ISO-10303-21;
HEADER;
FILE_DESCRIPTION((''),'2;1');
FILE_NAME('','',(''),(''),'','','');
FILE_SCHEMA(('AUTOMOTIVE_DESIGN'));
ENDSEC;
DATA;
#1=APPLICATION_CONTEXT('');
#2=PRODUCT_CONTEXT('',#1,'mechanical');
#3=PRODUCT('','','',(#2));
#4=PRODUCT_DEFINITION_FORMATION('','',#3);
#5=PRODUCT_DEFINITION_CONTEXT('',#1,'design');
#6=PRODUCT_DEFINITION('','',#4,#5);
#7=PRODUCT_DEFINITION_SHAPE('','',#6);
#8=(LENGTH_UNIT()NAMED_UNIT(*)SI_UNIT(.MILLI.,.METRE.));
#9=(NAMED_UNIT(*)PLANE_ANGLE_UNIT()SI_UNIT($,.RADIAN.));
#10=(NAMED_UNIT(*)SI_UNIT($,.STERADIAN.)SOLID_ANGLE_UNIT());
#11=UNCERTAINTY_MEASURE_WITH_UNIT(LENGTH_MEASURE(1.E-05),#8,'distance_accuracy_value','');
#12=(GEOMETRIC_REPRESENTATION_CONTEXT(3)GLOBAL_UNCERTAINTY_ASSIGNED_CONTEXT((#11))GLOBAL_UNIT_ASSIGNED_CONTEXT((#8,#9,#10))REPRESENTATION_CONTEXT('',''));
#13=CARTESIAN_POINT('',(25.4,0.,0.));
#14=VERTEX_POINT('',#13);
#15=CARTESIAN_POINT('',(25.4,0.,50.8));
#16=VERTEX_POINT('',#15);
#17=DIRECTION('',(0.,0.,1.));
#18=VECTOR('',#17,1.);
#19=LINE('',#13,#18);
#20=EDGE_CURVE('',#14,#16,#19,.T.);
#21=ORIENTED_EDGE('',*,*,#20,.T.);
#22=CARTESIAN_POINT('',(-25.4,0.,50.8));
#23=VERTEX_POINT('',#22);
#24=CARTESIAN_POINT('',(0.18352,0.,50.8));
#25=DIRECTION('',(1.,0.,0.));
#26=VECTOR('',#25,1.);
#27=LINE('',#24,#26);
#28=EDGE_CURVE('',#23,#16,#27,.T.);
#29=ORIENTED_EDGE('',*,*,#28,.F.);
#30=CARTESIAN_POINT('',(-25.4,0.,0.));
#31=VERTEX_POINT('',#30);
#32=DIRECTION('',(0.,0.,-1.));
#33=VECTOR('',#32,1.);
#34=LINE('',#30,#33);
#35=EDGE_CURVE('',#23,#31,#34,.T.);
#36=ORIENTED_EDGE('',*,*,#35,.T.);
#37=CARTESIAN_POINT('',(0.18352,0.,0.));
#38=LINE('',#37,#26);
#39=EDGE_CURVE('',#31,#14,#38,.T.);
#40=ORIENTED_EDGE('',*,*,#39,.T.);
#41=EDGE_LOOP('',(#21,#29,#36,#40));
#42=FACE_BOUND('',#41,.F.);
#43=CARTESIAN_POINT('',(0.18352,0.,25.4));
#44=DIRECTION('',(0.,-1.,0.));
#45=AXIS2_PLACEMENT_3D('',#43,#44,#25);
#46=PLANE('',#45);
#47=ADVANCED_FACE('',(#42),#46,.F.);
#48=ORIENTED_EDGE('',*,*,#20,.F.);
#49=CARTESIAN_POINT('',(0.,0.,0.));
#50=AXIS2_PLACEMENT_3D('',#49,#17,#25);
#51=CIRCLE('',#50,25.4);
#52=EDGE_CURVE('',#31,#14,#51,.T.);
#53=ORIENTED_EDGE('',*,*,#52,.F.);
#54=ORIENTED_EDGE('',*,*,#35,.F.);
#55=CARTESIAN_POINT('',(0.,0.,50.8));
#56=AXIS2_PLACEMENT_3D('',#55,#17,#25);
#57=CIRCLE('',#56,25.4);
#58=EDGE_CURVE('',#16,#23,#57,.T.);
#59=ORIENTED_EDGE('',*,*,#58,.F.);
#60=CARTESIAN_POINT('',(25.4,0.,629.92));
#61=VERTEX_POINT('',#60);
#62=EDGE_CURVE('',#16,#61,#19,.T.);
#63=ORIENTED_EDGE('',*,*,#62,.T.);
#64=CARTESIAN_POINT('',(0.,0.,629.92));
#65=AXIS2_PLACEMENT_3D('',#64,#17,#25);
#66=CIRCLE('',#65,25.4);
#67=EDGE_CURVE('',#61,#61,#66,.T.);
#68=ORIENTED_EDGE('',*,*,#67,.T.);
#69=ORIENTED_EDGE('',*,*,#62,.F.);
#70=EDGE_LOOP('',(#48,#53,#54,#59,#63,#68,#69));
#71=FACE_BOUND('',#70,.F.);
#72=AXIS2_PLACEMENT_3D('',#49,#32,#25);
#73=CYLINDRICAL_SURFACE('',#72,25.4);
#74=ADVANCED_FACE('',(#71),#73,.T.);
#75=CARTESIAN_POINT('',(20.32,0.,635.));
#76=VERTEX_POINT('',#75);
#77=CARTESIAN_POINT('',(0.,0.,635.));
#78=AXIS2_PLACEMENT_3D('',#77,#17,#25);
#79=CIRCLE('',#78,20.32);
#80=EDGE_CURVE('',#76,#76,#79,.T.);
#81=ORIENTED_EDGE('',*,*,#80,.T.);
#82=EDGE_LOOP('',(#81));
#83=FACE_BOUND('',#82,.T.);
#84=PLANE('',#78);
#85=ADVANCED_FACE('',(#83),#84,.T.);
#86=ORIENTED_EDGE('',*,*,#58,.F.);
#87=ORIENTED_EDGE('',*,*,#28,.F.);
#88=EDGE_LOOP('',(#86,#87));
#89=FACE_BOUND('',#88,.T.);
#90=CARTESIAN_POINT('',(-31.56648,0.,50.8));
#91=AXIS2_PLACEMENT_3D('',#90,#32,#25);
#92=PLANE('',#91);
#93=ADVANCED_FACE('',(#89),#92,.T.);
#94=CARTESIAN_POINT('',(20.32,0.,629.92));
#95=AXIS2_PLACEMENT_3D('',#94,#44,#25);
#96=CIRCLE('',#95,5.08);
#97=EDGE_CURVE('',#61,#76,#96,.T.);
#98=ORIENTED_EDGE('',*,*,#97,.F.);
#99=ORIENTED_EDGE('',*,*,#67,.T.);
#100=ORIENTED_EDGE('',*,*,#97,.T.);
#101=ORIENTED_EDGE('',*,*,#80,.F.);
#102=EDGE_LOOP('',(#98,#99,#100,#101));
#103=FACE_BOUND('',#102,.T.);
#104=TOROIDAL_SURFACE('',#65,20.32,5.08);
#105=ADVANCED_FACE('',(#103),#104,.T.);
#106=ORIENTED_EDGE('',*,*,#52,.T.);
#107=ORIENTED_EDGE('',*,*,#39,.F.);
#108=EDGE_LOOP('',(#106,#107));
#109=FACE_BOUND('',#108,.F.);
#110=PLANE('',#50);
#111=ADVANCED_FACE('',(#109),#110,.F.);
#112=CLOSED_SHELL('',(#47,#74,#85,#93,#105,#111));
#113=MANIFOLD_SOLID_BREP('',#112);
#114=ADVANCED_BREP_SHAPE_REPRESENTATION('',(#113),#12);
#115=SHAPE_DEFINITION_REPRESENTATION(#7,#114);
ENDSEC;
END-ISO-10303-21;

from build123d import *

# Parameters (mm, degrees)
F0_R     = 25.4
F1_DEPTH = 635
F2_W     = 63.5
F2_H     = 50.8
F3_DEPTH = 25.4
F4_R     = 5.08


with BuildPart() as f1:
    # F0 (on Top) → F1 (new body)
    with BuildSketch(Plane.XY):
        Circle(F0_R)
    extrude(amount=F1_DEPTH)

    # F2 (on Front) → F3 (cut)
    with BuildSketch(Plane.XZ):
        with Locations((0.1835199598, 25.4)):
            Rectangle(F2_W, F2_H)
    extrude(amount=-F3_DEPTH, mode=Mode.SUBTRACT)

    # F4
    f4_edges = [f1.edges().sort_by_distance(p)[0] for p in [
        (-25.4, 0, 635),
    ]]
    fillet(f4_edges, radius=F4_R)


solid = f1.part
